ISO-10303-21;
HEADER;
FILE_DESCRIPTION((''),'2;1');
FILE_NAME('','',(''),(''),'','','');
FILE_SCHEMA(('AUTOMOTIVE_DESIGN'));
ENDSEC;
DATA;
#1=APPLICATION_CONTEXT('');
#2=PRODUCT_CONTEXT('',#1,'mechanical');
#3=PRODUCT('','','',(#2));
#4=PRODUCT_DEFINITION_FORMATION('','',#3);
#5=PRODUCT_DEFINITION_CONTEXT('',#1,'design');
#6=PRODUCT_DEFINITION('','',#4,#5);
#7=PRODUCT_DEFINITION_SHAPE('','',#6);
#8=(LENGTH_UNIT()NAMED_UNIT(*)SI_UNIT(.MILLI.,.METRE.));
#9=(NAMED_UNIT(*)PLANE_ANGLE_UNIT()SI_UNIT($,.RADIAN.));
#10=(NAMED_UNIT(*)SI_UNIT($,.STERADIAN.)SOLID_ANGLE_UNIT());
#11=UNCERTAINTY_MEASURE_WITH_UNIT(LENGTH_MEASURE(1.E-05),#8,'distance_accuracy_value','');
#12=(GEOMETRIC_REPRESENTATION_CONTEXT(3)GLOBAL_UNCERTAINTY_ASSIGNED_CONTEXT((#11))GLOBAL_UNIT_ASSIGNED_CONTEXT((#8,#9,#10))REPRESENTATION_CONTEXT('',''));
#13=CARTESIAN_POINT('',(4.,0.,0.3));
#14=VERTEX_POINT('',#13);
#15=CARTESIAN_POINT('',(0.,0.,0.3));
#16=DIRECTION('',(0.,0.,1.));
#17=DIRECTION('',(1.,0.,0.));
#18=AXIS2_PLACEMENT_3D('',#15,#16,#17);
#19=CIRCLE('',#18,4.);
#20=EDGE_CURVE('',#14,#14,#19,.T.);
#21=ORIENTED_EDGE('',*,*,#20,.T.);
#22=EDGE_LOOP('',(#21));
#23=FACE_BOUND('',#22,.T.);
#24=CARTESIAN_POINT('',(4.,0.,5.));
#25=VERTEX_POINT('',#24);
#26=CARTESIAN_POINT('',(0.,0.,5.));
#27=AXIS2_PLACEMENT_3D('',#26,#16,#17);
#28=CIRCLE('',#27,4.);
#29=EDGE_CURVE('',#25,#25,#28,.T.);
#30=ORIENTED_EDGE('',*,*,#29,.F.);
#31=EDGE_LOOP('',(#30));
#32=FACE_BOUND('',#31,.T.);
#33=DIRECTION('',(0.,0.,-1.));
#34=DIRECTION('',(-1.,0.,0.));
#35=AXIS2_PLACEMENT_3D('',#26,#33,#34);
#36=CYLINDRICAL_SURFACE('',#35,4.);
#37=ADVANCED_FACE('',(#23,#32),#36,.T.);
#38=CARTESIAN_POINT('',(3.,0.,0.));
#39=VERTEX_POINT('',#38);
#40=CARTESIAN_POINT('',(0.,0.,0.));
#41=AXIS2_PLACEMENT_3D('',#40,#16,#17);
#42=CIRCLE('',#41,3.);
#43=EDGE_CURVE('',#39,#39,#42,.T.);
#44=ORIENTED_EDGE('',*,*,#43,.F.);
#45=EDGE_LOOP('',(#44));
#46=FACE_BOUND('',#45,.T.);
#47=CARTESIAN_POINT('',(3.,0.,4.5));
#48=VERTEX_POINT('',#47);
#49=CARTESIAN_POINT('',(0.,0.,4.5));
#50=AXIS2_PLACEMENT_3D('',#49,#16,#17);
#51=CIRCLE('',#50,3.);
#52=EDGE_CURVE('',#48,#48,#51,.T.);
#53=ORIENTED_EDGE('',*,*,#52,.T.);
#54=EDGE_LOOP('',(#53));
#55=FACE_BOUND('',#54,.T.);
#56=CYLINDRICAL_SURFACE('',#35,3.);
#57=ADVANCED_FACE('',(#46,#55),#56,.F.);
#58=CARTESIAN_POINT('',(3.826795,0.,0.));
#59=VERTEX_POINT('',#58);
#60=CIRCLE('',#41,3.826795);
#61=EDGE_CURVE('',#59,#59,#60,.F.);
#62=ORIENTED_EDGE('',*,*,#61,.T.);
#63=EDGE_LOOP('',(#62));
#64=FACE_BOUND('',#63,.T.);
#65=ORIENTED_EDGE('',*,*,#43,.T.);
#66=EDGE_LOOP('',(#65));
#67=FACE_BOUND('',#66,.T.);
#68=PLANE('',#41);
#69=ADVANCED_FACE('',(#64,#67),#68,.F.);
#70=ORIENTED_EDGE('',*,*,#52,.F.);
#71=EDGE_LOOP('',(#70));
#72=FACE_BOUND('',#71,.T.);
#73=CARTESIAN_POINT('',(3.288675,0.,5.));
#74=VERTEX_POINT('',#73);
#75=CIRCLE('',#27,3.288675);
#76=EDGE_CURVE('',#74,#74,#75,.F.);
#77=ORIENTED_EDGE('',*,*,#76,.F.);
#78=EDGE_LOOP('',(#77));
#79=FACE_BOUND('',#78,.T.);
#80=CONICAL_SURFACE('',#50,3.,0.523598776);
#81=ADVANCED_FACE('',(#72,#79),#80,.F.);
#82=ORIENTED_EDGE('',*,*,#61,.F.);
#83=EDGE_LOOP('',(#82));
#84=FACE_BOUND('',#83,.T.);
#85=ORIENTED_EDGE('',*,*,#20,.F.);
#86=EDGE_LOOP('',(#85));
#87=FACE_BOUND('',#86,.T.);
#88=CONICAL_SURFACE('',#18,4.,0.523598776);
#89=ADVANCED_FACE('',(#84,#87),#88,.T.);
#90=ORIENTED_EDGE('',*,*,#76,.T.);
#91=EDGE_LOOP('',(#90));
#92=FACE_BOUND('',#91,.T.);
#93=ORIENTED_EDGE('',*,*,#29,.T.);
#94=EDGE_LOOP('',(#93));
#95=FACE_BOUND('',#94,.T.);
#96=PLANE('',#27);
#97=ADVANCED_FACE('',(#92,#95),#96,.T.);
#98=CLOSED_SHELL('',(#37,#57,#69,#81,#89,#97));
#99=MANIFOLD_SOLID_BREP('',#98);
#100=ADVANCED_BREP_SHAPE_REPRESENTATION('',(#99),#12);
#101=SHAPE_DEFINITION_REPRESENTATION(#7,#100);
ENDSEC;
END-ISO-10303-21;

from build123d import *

# Parameters (mm, degrees)
SKETCH1_R           = 4
SKETCH1_R_2         = 3
BOSS_EXTRUDE1_DEPTH = 5
CHAMFER1_SIZE       = 0.3
CHAMFER1_SIZE2      = 0.173205081
CHAMFER2_SIZE       = 0.5
CHAMFER2_SIZE2      = 0.288675135


with BuildPart() as part:
    # Sketch1 → Boss-Extrude1 (new body)
    with BuildSketch(Plane.XY):
        Circle(SKETCH1_R)
        Circle(SKETCH1_R_2, mode=Mode.SUBTRACT)
    extrude(amount=BOSS_EXTRUDE1_DEPTH)

    # Chamfer1
    chamfer1_edges = [part.edges().sort_by_distance(p)[0] for p in [
        (-4, 0, 0),
    ]]
    chamfer1_side = [part.faces().sort_by_distance(p)[0] for p in [
        (-4, 0, 2.5),
    ]]
    chamfer(chamfer1_edges, length=CHAMFER1_SIZE, length2=CHAMFER1_SIZE2, reference=chamfer1_side[0])

    # Chamfer2
    chamfer2_edges = [part.edges().sort_by_distance(p)[0] for p in [
        (-3, 0, 5),
    ]]
    chamfer2_side = [part.faces().sort_by_distance(p)[0] for p in [
        (-3, 0, 2.5),
    ]]
    chamfer(chamfer2_edges, length=CHAMFER2_SIZE, length2=CHAMFER2_SIZE2, reference=chamfer2_side[0])


solid = part.part
